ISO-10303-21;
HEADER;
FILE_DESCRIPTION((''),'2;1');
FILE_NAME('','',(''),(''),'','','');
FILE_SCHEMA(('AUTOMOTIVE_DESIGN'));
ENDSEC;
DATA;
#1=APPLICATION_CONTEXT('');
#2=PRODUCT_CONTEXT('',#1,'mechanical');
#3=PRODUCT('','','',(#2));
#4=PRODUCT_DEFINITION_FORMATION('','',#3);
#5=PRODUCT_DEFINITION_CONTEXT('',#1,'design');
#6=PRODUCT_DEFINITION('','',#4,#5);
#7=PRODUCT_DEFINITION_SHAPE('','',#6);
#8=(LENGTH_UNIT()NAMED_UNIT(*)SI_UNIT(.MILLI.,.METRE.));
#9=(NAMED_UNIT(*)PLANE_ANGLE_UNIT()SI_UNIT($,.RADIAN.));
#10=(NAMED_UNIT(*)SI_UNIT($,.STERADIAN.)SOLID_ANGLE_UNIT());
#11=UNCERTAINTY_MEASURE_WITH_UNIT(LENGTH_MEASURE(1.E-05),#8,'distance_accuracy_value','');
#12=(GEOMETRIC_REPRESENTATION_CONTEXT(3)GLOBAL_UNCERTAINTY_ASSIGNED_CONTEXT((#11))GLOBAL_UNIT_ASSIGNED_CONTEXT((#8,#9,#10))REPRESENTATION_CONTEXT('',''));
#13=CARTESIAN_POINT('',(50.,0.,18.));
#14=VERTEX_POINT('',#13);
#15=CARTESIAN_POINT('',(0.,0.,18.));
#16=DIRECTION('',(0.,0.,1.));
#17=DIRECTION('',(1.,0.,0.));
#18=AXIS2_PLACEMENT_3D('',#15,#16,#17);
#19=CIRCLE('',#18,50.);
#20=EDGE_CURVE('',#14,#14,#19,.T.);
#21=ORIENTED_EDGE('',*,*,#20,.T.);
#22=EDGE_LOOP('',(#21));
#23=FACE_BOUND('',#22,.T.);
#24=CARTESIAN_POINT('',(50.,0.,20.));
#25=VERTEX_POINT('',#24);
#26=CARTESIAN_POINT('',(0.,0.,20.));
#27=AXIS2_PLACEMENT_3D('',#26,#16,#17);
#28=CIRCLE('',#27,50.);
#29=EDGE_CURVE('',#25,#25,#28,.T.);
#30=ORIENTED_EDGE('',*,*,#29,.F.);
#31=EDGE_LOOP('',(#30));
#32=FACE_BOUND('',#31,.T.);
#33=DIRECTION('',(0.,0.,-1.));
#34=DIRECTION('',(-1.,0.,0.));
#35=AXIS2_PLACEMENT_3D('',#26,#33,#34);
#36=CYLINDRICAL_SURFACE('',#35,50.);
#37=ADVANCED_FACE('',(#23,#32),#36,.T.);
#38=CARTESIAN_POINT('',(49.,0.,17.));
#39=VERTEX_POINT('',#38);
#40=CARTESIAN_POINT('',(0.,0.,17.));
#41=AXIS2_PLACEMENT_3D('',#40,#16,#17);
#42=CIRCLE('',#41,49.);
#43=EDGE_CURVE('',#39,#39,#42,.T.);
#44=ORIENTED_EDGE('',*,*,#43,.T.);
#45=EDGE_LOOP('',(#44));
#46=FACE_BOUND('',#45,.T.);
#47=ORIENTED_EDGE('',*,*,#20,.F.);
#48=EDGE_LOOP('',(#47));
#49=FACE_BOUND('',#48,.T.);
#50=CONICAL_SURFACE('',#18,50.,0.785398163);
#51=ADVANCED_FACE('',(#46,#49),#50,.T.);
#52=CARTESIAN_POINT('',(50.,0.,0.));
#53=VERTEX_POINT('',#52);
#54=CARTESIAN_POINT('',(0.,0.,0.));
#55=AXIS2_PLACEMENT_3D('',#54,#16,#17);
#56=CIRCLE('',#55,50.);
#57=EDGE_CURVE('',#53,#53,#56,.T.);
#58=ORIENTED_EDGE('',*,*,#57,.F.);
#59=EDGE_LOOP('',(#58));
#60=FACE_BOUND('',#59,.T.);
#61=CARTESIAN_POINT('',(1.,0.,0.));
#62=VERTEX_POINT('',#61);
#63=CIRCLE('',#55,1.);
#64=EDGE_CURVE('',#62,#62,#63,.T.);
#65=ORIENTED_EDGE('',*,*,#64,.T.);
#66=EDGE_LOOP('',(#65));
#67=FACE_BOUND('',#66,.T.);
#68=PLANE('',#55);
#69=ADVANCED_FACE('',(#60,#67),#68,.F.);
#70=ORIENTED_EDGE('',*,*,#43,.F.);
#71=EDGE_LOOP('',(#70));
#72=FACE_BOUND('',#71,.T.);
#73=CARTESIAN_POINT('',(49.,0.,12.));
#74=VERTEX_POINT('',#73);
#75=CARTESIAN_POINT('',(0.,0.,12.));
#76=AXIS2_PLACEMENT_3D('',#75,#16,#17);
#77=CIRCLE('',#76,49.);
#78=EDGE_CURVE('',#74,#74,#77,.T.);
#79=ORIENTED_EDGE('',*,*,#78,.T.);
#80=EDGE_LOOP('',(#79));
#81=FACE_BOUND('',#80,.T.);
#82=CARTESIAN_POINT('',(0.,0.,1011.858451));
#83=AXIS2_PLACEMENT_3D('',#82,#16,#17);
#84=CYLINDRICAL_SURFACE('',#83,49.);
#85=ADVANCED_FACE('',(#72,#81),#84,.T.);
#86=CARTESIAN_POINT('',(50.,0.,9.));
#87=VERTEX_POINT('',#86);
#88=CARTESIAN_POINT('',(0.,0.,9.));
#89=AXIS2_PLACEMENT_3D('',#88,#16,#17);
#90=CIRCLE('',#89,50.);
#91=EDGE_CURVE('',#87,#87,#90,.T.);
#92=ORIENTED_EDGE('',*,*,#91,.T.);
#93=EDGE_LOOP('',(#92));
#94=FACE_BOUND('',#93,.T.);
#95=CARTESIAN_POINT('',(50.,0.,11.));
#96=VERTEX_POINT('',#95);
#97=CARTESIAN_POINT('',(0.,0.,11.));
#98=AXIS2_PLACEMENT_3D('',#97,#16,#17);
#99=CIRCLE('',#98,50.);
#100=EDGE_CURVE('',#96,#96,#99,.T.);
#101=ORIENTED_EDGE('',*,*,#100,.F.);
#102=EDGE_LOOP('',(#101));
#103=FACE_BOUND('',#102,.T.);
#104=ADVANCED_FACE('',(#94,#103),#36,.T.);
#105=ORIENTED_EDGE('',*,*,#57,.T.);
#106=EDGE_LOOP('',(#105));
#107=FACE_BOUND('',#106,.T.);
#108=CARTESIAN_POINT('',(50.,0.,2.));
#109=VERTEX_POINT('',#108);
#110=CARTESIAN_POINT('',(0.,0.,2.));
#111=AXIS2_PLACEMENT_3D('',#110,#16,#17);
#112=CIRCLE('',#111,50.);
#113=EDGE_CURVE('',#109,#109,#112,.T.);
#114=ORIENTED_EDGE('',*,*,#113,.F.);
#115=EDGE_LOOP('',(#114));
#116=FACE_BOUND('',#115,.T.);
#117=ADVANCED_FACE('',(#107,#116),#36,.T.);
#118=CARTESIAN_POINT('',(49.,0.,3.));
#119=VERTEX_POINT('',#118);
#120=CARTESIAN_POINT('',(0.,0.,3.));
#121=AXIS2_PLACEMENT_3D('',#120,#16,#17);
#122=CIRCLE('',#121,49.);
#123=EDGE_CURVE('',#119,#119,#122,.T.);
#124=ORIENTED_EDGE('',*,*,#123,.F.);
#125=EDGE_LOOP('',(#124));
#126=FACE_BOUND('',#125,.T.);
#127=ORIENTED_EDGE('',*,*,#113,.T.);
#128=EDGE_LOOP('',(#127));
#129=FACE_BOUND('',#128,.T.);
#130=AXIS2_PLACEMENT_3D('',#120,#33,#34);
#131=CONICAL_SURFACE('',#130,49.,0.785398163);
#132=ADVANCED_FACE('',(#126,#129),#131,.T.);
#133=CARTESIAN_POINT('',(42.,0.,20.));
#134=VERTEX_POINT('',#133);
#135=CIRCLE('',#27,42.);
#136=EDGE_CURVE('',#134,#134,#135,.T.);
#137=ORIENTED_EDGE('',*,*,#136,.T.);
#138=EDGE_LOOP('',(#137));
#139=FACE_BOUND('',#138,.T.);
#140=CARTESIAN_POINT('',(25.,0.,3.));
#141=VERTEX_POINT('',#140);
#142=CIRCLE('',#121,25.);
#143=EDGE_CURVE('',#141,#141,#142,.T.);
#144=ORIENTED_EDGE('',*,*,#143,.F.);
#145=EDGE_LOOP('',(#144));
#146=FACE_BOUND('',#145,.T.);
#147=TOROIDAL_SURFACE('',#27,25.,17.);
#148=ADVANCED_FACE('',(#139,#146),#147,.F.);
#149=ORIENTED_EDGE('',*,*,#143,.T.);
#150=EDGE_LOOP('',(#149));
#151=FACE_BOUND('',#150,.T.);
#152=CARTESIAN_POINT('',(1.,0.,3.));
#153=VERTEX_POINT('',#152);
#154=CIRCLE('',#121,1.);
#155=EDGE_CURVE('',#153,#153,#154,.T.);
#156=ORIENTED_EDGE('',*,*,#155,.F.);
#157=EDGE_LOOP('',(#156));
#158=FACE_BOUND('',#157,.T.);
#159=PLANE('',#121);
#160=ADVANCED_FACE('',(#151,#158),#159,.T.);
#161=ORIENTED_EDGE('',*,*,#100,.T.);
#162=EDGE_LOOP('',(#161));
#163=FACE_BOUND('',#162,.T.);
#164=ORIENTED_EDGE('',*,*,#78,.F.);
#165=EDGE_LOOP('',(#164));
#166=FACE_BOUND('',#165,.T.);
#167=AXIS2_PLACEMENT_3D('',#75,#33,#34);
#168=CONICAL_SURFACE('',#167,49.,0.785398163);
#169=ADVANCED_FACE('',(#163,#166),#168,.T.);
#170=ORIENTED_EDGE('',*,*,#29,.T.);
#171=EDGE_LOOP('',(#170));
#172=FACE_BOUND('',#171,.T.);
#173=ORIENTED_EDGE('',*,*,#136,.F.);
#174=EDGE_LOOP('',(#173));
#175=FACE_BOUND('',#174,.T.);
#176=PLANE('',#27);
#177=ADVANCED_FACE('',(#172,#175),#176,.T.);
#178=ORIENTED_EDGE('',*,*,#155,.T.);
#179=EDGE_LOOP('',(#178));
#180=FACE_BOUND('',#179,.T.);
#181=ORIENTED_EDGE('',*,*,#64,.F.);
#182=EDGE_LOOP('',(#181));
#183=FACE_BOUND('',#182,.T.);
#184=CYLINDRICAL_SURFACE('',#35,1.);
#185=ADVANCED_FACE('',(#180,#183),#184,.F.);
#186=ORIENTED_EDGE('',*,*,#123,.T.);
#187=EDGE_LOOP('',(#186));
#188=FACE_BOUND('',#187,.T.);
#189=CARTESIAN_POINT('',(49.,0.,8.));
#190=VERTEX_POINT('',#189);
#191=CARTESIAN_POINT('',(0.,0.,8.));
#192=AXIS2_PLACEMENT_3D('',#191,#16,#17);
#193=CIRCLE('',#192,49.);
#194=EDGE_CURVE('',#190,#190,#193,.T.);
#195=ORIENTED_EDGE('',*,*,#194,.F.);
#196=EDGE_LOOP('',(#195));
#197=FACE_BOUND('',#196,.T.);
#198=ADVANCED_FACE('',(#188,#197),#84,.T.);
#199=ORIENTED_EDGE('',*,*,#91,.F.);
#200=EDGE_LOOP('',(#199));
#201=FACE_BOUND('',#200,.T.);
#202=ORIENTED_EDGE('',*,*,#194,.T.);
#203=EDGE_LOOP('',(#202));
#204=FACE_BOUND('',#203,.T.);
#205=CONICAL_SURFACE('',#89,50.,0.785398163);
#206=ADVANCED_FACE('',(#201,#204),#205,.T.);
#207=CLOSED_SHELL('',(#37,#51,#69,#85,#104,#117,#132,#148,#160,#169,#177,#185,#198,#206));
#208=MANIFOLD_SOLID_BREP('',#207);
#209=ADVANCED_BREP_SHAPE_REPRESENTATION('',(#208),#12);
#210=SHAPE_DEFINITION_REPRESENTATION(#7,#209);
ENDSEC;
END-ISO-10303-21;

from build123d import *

# Parameters (mm, degrees)
SKETCH1_R           = 50
SKETCH1_R_2         = 1
BOSS_EXTRUDE1_DEPTH = 20


with BuildPart() as part:
    # Sketch1 → Boss-Extrude1 (new body)
    with BuildSketch(Plane.XY):
        Circle(SKETCH1_R)
        Circle(SKETCH1_R_2, mode=Mode.SUBTRACT)
    extrude(amount=BOSS_EXTRUDE1_DEPTH)

    # Sketch2 → Cut-Revolve1 (revolve, cut)
    with BuildSketch(Plane(origin=(0, 0, 0), x_dir=(0, 0, -1), z_dir=(1, 0, 0)), mode=Mode.PRIVATE) as cut_revolve1_sk:
        Polygon((-18, 50), (-17, 49), (-12, 49), (-11, 50), align=None)
        Polygon((-9, 50), (-8, 49), (-3, 49), (-2, 50), align=None)
    revolve(cut_revolve1_sk.sketch.rotate(Axis((0, 0, 1011.858451466), (0, 0, -1)), 90), axis=Axis((0, 0, 1011.858451466), (0, 0, -1)), mode=Mode.SUBTRACT)

    # Sketch4 → Cut-Revolve2 (revolve, cut)
    with BuildSketch(Plane(origin=(0, 0, 0), x_dir=(0, 0, -1), z_dir=(1, 0, 0)), mode=Mode.PRIVATE) as cut_revolve2_sk:
        with BuildLine():
            Line((-3, 0), (-3, 25))
            ThreePointArc((-3, 25), (-7.97918472, 37.02081528), (-20, 42))
            Line((-20, 42), (-20, 0))
            Line((-20, 0), (-3, 0))
        make_face()
    revolve(cut_revolve2_sk.sketch.rotate(Axis((0, 0, 1012), (0, 0, -1)), 90), axis=Axis((0, 0, 1012), (0, 0, -1)), mode=Mode.SUBTRACT)


solid = part.part
